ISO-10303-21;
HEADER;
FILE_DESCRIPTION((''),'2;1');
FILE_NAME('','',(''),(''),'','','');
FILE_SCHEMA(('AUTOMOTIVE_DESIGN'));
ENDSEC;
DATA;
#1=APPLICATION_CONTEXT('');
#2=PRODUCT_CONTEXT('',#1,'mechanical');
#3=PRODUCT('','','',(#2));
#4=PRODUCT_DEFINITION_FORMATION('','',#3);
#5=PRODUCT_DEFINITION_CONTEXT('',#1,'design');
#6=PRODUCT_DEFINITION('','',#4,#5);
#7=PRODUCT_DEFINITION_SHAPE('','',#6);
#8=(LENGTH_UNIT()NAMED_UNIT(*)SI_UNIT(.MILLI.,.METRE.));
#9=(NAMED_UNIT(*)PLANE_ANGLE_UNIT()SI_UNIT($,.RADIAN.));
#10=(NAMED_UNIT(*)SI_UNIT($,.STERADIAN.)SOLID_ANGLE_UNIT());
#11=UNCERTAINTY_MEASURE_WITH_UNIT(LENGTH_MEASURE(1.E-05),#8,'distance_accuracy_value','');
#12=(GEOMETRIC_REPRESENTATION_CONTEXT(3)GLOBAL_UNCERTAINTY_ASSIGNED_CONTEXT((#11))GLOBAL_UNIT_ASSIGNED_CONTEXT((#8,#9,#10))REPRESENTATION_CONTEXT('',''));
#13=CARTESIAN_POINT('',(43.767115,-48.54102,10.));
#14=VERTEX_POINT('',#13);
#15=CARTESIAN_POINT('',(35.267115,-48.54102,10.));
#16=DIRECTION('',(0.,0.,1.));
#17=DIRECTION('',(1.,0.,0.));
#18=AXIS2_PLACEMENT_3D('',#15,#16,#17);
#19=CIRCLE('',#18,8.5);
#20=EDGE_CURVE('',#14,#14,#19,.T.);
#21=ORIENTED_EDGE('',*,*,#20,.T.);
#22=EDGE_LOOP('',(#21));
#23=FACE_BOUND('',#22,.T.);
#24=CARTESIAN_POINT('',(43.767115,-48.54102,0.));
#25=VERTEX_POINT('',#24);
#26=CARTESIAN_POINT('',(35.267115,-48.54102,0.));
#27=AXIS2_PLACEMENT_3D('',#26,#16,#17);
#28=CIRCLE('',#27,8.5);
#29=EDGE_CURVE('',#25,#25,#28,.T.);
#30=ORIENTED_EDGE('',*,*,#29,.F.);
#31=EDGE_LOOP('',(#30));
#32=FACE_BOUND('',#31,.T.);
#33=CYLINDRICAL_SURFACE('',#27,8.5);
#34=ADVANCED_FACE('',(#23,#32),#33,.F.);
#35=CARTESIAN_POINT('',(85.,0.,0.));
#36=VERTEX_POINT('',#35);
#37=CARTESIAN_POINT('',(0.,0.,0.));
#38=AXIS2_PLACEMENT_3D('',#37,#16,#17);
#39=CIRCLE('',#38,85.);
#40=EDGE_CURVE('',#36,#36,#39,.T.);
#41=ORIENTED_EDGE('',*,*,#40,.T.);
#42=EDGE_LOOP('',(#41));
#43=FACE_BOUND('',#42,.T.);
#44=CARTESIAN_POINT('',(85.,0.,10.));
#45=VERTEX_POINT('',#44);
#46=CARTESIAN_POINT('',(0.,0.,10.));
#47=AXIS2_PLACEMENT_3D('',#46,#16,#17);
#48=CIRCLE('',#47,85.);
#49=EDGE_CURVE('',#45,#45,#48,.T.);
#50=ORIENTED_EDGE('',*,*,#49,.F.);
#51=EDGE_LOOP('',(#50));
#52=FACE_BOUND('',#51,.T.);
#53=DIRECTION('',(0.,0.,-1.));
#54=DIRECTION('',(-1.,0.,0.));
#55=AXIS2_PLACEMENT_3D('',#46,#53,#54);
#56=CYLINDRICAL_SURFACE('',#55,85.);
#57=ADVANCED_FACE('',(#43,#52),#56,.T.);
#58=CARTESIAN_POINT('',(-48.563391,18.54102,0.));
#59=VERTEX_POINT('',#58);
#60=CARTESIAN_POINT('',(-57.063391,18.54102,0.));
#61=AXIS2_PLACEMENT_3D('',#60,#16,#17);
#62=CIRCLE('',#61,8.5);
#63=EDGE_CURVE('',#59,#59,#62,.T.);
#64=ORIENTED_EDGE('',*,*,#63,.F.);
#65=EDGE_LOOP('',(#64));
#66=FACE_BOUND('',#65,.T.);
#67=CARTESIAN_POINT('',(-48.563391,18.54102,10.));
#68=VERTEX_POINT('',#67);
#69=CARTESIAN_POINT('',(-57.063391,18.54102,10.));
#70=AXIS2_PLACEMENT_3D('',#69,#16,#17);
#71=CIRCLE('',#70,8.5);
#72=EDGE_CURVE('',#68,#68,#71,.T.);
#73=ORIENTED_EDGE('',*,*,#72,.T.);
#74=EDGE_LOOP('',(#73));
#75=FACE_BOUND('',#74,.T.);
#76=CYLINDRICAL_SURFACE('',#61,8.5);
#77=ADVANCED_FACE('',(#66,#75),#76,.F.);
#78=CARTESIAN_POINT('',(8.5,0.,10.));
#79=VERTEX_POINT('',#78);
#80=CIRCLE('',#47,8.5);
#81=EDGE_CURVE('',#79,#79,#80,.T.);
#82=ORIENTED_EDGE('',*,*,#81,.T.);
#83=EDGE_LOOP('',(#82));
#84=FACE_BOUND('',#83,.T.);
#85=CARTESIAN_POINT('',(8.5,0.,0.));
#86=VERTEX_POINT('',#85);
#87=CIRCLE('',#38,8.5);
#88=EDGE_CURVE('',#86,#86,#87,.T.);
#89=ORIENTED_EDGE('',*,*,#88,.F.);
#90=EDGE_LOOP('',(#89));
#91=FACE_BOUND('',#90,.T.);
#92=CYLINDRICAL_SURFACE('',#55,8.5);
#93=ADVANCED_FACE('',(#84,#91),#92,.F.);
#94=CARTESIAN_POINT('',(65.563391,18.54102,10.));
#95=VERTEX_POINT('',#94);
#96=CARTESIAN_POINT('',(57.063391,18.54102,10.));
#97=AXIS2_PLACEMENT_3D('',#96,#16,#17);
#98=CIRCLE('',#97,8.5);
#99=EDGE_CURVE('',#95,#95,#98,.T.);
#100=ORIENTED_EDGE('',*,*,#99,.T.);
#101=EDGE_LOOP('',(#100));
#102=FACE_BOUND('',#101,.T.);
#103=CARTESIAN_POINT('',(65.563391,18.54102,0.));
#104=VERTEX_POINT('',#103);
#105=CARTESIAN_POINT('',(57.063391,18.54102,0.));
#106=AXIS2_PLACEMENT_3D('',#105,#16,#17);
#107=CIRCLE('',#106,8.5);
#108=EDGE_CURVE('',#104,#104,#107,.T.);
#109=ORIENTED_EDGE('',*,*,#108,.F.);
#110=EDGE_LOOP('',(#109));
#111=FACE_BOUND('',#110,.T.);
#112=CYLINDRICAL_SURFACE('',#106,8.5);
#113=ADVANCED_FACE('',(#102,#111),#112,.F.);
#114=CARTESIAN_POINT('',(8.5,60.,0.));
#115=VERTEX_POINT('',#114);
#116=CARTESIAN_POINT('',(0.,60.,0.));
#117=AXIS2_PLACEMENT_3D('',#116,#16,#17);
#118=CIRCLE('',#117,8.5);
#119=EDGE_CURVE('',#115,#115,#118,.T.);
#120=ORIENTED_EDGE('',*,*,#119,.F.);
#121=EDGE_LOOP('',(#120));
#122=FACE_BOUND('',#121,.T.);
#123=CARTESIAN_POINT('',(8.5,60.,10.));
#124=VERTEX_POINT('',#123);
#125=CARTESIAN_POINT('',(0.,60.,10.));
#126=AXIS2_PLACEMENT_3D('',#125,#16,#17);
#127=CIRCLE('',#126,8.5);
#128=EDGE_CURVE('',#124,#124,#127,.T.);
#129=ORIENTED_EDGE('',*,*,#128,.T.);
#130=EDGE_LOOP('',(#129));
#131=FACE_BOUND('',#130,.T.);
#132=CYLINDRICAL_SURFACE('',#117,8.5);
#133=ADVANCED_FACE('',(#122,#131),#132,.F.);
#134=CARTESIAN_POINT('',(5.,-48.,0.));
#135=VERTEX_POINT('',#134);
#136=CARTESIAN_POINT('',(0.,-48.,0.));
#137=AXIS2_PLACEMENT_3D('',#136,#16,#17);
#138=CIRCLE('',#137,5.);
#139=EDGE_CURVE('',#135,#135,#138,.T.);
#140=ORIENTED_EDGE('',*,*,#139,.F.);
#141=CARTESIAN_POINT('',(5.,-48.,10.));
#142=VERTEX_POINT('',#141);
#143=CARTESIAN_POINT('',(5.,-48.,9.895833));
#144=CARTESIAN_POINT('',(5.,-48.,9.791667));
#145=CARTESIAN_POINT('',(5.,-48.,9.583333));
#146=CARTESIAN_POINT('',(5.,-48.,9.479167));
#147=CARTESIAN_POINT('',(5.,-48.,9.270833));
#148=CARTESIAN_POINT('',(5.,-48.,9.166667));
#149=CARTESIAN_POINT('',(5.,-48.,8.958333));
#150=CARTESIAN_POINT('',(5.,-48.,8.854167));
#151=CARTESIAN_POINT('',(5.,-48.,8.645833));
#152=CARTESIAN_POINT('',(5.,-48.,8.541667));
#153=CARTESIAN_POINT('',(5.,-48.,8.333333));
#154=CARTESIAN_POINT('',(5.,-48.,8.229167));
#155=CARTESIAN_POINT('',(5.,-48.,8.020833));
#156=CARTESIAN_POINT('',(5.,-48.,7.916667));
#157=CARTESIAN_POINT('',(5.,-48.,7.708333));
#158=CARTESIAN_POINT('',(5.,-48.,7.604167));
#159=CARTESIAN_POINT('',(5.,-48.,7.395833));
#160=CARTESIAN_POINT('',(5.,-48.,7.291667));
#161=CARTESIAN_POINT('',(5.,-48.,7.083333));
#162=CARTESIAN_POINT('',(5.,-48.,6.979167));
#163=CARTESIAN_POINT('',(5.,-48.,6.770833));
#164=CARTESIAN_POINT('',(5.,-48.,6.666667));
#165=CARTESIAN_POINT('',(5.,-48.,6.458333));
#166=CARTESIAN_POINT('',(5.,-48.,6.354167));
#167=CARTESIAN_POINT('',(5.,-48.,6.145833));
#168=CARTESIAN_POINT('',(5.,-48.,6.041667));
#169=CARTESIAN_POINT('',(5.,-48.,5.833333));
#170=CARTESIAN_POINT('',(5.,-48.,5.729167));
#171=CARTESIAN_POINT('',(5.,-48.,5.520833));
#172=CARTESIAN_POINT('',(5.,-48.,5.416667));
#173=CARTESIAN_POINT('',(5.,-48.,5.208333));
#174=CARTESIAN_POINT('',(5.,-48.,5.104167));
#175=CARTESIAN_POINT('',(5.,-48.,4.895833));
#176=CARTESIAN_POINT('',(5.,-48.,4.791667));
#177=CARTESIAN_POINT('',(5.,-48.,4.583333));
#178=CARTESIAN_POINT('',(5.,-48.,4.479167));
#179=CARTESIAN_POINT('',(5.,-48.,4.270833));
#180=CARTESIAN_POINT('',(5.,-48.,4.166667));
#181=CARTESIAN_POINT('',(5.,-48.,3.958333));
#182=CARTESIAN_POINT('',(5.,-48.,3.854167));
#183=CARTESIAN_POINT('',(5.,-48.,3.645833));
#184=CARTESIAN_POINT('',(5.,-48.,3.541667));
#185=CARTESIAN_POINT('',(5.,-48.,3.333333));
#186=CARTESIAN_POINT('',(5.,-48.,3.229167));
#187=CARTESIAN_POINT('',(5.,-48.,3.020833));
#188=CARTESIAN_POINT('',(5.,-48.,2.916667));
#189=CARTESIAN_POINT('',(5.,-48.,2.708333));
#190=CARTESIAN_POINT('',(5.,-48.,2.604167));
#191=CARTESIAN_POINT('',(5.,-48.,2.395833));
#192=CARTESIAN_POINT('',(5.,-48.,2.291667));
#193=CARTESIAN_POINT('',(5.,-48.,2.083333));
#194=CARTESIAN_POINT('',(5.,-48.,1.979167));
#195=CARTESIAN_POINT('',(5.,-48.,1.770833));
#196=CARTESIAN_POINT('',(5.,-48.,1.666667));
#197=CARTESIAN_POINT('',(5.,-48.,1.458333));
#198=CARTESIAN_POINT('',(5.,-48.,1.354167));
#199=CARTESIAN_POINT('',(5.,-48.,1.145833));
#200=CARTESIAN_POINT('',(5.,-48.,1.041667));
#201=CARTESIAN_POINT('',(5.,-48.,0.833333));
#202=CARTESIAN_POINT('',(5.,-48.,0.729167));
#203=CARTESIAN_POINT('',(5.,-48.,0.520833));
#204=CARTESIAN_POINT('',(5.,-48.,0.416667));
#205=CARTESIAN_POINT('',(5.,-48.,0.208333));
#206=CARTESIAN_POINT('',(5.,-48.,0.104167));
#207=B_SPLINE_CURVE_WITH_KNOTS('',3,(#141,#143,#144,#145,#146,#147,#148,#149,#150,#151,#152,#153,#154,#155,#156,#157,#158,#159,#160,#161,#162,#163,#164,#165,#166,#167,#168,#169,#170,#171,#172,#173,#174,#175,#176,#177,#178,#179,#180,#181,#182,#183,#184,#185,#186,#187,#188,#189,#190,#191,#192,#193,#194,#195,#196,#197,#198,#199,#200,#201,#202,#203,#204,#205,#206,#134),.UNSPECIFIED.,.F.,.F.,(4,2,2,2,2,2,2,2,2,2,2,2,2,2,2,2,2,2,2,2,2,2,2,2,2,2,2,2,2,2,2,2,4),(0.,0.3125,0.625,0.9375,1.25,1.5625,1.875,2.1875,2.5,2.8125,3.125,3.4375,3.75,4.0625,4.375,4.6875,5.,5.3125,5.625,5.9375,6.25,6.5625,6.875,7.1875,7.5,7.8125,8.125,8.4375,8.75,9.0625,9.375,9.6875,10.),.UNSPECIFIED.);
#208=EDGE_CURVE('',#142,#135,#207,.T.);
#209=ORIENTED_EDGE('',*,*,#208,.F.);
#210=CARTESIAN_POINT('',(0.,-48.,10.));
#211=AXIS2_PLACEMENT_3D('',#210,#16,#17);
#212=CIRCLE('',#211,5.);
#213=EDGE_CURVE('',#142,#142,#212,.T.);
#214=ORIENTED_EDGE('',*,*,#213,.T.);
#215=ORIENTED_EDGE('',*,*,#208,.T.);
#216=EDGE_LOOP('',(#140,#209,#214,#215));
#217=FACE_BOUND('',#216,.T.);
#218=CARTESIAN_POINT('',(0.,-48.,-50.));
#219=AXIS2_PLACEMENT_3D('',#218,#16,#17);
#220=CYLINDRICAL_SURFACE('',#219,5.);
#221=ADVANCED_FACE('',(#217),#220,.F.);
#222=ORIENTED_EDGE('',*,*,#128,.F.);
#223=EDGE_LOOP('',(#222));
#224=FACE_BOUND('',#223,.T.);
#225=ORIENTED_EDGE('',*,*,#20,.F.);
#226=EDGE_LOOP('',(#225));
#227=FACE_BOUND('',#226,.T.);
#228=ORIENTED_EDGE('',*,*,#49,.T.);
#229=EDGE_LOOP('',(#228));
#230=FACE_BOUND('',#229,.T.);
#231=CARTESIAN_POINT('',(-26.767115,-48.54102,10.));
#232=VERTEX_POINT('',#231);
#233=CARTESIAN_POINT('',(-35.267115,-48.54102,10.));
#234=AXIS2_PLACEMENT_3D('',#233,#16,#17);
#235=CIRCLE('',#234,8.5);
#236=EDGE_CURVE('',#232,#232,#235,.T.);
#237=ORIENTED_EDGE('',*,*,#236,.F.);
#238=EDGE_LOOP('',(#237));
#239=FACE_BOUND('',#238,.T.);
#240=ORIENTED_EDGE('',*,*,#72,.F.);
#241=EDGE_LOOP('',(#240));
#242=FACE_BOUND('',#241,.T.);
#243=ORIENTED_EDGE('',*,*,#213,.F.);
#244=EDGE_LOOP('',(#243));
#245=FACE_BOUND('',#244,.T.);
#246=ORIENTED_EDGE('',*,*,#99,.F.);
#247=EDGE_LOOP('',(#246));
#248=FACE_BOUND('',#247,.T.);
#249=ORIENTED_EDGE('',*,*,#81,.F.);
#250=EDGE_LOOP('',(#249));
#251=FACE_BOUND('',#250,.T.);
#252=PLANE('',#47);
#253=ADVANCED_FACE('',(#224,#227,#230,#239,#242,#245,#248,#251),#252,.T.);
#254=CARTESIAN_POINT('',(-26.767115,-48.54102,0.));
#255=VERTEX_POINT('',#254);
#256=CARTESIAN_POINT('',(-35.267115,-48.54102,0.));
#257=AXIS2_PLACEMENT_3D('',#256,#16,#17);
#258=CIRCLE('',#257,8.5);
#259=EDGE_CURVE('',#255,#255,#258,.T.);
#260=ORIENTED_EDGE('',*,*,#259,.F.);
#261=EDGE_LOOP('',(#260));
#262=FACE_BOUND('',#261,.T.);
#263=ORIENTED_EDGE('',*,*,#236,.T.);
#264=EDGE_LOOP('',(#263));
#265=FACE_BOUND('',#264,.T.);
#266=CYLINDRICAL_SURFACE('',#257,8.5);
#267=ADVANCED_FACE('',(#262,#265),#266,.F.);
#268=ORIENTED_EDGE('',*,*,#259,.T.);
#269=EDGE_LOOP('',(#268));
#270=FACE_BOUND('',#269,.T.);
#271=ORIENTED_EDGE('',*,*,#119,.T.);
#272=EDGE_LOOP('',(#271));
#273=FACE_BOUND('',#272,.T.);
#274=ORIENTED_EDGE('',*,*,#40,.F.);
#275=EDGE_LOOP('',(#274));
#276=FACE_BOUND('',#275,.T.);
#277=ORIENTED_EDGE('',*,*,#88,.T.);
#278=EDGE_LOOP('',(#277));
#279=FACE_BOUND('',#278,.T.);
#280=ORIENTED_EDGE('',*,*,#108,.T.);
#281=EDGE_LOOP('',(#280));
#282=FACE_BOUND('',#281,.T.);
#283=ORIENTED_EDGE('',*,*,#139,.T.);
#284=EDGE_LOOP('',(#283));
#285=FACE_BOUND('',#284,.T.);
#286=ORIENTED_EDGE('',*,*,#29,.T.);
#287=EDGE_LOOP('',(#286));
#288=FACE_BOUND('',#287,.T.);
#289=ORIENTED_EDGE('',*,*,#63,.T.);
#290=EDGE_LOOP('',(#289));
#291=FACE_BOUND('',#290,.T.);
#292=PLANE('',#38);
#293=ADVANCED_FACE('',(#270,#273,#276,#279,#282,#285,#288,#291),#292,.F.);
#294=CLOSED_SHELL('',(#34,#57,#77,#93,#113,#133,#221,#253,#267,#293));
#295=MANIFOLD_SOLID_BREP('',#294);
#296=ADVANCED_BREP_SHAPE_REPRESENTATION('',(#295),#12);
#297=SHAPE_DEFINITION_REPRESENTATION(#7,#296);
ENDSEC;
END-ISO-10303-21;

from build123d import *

# Parameters (mm, degrees)
SKETCH1_R           = 85
SKETCH1_R_2         = 8.5
BOSS_EXTRUDE1_DEPTH = 10
SKETCH2_R           = 8.5
CUT_EXTRUDE1_DEPTH  = 10
SKETCH4_R           = 5
CUT_EXTRUDE3_DEPTH  = 60


with BuildPart() as part:
    # Sketch1 → Boss-Extrude1 (new body)
    with BuildSketch(Plane.XY):
        Circle(SKETCH1_R)
        Circle(SKETCH1_R_2, mode=Mode.SUBTRACT)
    extrude(amount=BOSS_EXTRUDE1_DEPTH)

    # Sketch2 → Cut-Extrude1 (cut)
    with BuildSketch(Plane.XY.offset(10)):
        with Locations((0, 60)):
            Circle(SKETCH2_R)
        with Locations((57.063390978, 18.541019662)):
            Circle(SKETCH2_R)
        with Locations((35.267115138, -48.541019662)):
            Circle(SKETCH2_R)
        with Locations((-35.267115138, -48.541019662)):
            Circle(SKETCH2_R)
        with Locations((-57.063390978, 18.541019662)):
            Circle(SKETCH2_R)
    extrude(amount=-CUT_EXTRUDE1_DEPTH, mode=Mode.SUBTRACT)

    # Sketch4 → Cut-Extrude3 (cut)
    with BuildSketch(Plane.XY.offset(10)):
        with Locations((0, -48)):
            Circle(SKETCH4_R)
    extrude(amount=-CUT_EXTRUDE3_DEPTH, mode=Mode.SUBTRACT)


solid = part.part
